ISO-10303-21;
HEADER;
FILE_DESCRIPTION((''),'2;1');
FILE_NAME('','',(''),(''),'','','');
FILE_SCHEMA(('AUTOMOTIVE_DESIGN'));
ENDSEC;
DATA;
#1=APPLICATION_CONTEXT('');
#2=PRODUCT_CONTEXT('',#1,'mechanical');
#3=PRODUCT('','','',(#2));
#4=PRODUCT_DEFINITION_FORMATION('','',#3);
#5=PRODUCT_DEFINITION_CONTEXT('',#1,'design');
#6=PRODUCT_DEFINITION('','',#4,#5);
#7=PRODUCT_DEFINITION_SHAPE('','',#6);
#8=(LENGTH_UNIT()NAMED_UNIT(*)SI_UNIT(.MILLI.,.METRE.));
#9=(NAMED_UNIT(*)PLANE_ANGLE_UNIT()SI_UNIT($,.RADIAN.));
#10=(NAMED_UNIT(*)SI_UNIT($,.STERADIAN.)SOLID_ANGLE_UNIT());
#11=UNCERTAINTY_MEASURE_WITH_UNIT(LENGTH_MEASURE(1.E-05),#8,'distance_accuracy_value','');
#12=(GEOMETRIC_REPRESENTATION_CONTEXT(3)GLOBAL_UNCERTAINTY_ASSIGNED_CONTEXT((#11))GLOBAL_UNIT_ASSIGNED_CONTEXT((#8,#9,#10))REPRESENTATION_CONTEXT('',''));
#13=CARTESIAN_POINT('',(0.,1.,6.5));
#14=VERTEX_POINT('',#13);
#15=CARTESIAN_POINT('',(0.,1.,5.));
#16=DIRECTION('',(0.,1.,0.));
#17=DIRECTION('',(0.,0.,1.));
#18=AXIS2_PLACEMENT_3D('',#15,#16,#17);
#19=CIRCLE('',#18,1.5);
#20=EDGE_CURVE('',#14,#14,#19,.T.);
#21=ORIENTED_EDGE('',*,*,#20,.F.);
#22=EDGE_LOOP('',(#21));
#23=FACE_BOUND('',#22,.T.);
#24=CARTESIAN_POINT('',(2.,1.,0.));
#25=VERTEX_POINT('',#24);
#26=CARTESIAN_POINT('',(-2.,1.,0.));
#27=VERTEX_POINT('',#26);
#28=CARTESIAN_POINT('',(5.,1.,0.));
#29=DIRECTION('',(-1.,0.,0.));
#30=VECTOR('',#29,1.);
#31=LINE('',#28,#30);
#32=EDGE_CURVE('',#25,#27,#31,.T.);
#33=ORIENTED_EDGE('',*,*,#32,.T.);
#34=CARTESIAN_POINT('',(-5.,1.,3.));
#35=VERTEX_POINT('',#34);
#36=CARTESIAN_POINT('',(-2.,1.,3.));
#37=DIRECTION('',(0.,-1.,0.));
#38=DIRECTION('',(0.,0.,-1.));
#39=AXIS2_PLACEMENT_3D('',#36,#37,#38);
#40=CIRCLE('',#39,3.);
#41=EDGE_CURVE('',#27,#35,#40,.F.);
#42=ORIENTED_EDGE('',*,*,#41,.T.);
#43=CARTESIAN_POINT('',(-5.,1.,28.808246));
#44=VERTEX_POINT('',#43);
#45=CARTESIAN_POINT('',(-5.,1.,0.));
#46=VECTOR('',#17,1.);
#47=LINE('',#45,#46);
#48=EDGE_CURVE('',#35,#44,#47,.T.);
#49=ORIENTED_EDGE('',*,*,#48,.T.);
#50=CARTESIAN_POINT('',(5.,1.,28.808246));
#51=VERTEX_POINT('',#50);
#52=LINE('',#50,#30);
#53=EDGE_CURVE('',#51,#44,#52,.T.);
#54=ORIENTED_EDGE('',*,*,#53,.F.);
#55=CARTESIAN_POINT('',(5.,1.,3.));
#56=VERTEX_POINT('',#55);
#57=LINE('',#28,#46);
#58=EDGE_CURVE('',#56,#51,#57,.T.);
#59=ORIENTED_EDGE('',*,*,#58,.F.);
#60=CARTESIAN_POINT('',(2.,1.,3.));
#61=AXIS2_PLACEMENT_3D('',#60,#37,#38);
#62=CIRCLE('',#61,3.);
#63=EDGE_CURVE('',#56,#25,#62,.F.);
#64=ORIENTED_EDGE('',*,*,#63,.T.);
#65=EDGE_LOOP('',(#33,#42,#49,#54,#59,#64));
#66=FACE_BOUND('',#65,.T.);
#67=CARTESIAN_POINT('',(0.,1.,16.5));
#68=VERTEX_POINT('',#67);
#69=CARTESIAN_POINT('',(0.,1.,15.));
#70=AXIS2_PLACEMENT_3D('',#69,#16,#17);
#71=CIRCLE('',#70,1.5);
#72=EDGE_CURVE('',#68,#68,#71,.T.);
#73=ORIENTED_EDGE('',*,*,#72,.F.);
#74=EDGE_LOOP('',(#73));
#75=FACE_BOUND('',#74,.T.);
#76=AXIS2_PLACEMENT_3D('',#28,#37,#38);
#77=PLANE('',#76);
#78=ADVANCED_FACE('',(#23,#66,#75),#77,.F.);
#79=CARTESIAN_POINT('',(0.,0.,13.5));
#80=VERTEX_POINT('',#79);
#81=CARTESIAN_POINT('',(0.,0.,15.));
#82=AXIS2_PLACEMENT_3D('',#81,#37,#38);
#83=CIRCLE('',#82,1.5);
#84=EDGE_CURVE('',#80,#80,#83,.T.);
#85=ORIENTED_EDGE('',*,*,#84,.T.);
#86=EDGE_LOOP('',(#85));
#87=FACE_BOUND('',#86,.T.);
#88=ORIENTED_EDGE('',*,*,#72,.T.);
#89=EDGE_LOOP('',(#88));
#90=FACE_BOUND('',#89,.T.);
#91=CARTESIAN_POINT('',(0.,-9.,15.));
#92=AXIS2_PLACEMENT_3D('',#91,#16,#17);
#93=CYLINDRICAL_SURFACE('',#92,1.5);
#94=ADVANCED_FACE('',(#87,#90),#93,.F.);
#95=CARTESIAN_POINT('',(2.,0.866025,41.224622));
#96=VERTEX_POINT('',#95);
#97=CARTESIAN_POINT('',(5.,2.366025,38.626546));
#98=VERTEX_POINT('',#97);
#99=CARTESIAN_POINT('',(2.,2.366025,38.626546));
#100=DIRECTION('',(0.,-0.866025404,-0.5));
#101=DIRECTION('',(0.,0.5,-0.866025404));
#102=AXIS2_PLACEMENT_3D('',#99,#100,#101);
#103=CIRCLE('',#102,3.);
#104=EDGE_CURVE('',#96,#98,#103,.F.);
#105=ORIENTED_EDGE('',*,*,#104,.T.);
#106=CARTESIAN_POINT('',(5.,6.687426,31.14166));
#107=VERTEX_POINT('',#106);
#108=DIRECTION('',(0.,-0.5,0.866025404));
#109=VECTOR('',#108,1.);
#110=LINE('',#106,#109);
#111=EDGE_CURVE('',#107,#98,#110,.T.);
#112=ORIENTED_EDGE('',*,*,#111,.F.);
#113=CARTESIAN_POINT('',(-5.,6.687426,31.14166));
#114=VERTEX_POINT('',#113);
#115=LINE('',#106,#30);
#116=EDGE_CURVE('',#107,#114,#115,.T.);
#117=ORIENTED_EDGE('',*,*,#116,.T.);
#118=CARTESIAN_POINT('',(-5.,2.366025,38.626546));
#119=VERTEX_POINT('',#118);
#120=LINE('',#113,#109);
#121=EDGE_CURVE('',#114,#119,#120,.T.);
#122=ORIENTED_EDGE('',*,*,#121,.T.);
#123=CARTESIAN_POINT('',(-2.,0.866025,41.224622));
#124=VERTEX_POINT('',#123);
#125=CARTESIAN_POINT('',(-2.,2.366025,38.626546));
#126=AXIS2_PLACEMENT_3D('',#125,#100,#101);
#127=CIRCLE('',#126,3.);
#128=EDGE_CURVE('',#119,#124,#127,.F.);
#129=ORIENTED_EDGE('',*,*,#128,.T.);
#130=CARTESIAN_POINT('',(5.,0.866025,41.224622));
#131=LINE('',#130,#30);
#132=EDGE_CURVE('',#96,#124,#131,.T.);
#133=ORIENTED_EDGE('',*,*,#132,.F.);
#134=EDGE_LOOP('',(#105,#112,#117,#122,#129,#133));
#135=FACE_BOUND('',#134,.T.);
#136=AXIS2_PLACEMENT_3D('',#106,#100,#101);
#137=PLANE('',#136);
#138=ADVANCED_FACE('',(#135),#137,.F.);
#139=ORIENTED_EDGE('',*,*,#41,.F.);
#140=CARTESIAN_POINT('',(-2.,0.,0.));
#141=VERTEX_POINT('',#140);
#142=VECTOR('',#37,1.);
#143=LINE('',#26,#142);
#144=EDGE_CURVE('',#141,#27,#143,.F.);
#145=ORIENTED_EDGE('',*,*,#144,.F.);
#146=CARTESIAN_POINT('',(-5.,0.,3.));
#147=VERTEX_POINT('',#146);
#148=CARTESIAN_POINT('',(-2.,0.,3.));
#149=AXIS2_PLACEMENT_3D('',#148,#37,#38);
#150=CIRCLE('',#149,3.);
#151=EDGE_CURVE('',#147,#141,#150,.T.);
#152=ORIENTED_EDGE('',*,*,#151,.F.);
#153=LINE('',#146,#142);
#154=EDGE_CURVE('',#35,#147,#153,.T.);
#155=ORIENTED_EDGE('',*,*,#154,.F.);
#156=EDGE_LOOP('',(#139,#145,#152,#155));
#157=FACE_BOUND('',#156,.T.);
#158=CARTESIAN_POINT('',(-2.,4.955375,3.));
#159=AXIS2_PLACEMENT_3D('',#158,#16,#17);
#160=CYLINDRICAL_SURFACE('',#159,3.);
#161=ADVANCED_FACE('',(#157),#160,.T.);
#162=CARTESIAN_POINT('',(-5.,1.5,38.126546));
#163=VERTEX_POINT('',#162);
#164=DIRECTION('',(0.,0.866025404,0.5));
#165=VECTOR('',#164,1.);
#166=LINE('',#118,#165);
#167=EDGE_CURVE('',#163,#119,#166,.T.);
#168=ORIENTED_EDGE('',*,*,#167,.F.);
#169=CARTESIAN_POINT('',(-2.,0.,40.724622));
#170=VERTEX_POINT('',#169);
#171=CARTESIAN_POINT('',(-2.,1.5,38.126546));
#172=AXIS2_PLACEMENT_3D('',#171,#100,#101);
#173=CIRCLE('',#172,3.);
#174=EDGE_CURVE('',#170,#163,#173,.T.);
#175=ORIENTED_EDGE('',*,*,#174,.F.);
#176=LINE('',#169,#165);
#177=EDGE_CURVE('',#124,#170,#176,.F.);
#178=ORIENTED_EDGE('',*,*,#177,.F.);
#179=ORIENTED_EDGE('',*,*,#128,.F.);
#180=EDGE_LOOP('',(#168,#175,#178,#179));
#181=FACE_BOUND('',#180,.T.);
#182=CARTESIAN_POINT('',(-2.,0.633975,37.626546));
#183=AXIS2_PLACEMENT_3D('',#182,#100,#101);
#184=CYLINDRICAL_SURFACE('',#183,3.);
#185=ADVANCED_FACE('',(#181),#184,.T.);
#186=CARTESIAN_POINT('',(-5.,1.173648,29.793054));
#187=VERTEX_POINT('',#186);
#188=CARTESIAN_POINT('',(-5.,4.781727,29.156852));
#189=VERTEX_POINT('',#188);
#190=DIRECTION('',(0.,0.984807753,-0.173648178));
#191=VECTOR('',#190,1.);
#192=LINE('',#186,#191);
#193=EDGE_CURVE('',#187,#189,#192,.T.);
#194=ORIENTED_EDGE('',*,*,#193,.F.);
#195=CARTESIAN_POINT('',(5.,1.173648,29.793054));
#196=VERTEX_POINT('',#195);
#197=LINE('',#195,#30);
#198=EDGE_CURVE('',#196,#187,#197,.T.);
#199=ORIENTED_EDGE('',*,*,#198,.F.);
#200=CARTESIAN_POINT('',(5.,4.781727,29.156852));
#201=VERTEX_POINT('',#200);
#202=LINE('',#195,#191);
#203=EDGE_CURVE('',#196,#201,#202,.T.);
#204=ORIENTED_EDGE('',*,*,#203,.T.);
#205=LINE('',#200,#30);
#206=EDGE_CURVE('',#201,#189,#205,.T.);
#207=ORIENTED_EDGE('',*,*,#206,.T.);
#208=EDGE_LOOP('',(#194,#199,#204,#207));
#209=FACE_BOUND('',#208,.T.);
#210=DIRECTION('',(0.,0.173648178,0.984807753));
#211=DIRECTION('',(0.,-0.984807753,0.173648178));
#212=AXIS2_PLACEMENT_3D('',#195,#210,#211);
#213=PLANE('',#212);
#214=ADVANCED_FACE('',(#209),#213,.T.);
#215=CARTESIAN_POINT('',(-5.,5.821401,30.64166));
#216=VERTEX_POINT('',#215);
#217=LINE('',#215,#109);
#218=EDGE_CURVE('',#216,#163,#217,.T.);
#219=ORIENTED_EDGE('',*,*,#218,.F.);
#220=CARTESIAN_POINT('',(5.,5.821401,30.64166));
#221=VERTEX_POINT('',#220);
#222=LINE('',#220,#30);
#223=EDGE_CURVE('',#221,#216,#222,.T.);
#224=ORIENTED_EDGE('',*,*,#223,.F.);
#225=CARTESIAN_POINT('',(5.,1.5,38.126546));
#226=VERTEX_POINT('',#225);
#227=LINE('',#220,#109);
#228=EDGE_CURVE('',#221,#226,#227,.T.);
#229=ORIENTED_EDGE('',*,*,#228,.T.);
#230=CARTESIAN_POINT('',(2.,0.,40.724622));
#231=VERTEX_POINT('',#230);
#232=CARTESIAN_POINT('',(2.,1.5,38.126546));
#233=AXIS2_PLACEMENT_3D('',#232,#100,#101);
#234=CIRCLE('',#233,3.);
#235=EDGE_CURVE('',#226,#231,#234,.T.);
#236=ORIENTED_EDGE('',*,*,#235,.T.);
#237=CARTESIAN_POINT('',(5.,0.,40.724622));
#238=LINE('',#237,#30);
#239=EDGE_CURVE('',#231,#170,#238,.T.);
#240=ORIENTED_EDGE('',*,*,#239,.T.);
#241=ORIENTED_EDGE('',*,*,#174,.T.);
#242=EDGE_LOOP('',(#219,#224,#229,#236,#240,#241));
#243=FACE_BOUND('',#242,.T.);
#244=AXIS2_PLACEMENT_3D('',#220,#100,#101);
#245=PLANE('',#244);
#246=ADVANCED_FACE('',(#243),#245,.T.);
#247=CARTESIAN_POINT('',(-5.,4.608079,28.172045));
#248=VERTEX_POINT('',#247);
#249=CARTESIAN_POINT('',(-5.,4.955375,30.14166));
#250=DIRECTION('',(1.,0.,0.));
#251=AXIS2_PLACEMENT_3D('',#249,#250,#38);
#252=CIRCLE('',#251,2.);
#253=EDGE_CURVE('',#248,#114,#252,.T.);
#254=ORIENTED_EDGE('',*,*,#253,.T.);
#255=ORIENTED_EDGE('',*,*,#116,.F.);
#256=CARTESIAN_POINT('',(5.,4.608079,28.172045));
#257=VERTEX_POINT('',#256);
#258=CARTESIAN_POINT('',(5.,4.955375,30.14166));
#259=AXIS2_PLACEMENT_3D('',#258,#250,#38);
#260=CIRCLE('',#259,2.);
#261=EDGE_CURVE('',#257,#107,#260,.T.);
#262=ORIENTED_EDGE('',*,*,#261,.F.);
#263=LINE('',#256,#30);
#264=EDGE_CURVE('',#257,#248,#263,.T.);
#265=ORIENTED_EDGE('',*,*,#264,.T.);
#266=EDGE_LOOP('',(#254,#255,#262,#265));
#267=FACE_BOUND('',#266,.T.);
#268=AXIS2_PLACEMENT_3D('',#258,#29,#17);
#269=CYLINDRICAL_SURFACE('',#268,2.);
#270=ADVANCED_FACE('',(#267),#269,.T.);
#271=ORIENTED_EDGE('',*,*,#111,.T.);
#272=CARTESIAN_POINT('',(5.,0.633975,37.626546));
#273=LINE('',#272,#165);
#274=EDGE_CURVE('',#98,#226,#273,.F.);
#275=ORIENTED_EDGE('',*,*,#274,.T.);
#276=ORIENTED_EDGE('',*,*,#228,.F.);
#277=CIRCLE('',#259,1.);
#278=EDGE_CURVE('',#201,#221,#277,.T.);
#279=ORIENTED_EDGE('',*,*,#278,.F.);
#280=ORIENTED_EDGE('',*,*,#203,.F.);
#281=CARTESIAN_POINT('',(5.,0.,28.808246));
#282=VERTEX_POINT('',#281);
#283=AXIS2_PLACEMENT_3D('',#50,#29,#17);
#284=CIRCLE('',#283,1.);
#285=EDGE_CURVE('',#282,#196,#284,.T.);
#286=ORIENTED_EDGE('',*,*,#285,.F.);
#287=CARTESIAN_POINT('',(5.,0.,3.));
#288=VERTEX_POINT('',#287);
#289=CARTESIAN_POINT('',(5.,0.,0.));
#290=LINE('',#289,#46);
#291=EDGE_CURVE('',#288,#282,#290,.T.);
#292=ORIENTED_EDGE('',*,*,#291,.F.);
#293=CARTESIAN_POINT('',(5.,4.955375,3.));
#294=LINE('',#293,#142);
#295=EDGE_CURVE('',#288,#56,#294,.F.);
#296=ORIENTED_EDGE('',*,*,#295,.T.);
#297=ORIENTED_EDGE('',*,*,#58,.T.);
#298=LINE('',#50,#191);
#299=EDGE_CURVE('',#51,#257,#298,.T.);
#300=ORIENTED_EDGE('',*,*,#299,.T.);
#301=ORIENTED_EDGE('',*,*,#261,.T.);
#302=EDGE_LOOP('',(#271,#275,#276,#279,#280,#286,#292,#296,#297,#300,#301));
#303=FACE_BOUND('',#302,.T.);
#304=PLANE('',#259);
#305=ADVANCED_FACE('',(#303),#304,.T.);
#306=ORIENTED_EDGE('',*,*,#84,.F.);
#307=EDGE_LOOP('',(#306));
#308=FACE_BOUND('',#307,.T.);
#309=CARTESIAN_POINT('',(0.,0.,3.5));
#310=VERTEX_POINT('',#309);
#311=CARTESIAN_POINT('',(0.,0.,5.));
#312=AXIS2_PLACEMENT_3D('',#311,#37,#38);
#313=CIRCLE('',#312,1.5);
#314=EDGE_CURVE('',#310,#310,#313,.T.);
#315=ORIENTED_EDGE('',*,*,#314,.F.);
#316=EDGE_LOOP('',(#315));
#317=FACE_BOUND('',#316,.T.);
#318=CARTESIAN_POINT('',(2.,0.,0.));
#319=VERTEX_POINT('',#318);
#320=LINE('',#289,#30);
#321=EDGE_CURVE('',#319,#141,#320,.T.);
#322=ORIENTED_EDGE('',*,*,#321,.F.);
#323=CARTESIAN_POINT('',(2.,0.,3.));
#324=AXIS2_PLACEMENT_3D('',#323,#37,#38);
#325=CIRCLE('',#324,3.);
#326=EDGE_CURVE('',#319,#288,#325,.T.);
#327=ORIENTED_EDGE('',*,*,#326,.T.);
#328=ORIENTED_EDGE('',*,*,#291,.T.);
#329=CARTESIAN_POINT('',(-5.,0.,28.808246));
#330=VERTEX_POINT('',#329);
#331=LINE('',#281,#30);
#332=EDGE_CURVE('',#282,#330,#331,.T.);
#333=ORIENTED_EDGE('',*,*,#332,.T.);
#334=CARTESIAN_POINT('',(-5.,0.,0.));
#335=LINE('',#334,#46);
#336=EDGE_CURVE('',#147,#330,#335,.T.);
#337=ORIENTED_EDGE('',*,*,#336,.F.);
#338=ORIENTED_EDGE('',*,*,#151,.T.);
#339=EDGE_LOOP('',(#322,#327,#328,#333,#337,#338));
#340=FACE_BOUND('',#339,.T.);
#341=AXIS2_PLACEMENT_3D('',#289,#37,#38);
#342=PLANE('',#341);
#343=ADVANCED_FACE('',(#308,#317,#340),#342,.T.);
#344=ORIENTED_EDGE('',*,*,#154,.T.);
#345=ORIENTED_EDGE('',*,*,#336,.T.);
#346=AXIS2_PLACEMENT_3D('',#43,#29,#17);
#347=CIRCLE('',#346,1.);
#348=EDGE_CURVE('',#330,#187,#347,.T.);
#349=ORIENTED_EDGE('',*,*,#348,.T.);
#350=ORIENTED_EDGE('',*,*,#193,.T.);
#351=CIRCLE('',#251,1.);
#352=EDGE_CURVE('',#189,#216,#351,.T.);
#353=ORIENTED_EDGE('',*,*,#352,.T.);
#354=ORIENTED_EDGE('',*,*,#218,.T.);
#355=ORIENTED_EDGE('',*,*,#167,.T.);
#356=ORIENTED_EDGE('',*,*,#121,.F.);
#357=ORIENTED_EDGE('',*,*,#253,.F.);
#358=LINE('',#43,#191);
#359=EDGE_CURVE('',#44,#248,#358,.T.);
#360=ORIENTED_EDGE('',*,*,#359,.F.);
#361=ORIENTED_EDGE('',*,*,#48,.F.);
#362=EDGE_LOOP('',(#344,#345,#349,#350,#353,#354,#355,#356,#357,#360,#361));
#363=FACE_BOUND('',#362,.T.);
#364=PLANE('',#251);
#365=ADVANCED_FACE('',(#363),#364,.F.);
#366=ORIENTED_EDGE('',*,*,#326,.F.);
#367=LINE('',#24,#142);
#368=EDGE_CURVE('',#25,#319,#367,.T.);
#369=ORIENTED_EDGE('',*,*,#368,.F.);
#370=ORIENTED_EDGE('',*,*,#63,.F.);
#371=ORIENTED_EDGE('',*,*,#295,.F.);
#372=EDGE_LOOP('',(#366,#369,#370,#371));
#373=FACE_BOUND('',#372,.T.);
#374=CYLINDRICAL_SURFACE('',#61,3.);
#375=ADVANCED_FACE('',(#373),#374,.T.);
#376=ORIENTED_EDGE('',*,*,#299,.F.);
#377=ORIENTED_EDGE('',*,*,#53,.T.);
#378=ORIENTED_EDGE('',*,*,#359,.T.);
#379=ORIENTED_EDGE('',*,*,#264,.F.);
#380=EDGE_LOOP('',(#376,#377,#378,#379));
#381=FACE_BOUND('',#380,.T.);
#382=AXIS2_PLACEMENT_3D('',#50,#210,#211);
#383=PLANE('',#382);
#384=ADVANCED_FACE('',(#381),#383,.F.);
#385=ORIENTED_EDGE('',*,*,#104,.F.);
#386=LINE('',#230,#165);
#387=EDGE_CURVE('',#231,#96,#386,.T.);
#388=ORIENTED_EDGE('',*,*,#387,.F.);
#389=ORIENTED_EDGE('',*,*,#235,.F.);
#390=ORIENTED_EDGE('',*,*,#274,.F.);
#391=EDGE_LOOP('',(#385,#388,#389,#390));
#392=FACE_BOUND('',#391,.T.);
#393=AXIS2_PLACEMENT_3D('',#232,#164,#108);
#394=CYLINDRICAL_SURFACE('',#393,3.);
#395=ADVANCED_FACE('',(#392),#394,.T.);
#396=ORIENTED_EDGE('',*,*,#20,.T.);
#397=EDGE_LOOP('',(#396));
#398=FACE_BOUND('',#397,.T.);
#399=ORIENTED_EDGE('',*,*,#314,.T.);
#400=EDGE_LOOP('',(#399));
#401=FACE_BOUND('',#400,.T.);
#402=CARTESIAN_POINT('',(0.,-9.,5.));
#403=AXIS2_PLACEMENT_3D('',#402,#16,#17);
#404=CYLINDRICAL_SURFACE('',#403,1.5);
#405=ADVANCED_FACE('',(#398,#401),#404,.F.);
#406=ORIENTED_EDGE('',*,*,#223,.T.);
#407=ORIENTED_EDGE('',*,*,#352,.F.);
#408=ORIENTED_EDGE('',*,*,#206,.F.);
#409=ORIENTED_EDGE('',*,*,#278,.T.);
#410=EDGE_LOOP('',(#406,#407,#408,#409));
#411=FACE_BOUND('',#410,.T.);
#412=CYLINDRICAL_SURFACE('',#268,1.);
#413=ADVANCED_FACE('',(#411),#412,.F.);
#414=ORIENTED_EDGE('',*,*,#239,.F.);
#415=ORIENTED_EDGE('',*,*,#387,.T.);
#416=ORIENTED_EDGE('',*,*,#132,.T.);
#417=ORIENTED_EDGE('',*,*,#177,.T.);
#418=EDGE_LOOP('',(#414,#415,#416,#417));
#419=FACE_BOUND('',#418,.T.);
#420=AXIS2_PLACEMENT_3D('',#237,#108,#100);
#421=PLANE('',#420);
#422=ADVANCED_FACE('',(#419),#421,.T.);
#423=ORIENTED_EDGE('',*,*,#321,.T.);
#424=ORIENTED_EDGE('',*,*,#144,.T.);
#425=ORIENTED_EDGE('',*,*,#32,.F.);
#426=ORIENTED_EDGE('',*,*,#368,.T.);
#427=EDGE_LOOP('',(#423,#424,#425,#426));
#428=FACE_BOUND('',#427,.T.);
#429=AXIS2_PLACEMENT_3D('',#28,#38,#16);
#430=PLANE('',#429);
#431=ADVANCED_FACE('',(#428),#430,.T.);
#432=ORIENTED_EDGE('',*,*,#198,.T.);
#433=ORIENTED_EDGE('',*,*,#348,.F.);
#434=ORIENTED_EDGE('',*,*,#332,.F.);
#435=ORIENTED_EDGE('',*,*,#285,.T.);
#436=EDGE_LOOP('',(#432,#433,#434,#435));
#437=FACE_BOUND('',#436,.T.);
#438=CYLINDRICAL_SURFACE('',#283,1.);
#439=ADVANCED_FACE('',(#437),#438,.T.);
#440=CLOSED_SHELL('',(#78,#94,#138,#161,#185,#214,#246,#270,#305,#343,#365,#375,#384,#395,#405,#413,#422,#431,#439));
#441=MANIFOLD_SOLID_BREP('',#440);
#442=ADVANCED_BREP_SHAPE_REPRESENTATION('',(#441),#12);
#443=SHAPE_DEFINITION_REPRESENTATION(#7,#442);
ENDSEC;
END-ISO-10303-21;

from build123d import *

# Parameters (mm, degrees)
EXTRUDE_THIN1_DEPTH = 5
FILLET1_R           = 3
SKETCH2_R           = 1.5
CUT_EXTRUDE1_DEPTH  = 10


with BuildPart() as part:
    # Sketch1 → Extrude-Thin1 (new, symmetric)
    with BuildSketch(Plane(origin=(0, 0, 0), x_dir=(0, 0, -1), z_dir=(1, 0, 0))):
        with BuildLine():
            Line((0, 0), (-28.808246407, 0))
            ThreePointArc((-28.808246407, 0), (-29.574290851, 0.35721239), (-29.79305416, 1.173648178))
            Line((-29.79305416, 1.173648178), (-29.156852475, 4.781727229))
            ThreePointArc((-29.156852475, 4.781727229), (-29.568083792, 5.774527451), (-30.641660228, 5.821400811))
            Line((-30.641660228, 5.821400811), (-40.724622204, 0))
            Line((-40.724622204, 0), (-41.224622204, 0.866025404))
            Line((-41.224622204, 0.866025404), (-31.141660228, 6.687426215))
            ThreePointArc((-31.141660228, 6.687426215), (-28.994507355, 6.593679496), (-28.172044722, 4.608079052))
            Line((-28.172044722, 4.608079052), (-28.808246407, 1))
            Line((-28.808246407, 1), (0, 1))
            Line((0, 1), (0, 0))
        make_face()
    extrude(amount=EXTRUDE_THIN1_DEPTH, both=True)

    # Fillet1
    fillet1_edges = [part.edges().sort_by_distance(p)[0] for p in [
        (-5, 0.433012702, 40.974622204),
        (5, 0.5, 0),
        (5, 0.433012702, 40.974622204),
        (-5, 0.5, 0),
    ]]
    fillet(fillet1_edges, radius=FILLET1_R)

    # Sketch2 → Cut-Extrude1 (cut)
    with BuildSketch(Plane(origin=(0, 1, 0), x_dir=(1, 0, 0), z_dir=(0, 1, 0))):
        with Locations(Location((0, -5, 0), (0, 0, 270))):
            Circle(SKETCH2_R)
        with Locations(Location((0, -15, 0), (0, 0, 270))):
            Circle(SKETCH2_R)
    extrude(amount=-CUT_EXTRUDE1_DEPTH, mode=Mode.SUBTRACT)


solid = part.part
